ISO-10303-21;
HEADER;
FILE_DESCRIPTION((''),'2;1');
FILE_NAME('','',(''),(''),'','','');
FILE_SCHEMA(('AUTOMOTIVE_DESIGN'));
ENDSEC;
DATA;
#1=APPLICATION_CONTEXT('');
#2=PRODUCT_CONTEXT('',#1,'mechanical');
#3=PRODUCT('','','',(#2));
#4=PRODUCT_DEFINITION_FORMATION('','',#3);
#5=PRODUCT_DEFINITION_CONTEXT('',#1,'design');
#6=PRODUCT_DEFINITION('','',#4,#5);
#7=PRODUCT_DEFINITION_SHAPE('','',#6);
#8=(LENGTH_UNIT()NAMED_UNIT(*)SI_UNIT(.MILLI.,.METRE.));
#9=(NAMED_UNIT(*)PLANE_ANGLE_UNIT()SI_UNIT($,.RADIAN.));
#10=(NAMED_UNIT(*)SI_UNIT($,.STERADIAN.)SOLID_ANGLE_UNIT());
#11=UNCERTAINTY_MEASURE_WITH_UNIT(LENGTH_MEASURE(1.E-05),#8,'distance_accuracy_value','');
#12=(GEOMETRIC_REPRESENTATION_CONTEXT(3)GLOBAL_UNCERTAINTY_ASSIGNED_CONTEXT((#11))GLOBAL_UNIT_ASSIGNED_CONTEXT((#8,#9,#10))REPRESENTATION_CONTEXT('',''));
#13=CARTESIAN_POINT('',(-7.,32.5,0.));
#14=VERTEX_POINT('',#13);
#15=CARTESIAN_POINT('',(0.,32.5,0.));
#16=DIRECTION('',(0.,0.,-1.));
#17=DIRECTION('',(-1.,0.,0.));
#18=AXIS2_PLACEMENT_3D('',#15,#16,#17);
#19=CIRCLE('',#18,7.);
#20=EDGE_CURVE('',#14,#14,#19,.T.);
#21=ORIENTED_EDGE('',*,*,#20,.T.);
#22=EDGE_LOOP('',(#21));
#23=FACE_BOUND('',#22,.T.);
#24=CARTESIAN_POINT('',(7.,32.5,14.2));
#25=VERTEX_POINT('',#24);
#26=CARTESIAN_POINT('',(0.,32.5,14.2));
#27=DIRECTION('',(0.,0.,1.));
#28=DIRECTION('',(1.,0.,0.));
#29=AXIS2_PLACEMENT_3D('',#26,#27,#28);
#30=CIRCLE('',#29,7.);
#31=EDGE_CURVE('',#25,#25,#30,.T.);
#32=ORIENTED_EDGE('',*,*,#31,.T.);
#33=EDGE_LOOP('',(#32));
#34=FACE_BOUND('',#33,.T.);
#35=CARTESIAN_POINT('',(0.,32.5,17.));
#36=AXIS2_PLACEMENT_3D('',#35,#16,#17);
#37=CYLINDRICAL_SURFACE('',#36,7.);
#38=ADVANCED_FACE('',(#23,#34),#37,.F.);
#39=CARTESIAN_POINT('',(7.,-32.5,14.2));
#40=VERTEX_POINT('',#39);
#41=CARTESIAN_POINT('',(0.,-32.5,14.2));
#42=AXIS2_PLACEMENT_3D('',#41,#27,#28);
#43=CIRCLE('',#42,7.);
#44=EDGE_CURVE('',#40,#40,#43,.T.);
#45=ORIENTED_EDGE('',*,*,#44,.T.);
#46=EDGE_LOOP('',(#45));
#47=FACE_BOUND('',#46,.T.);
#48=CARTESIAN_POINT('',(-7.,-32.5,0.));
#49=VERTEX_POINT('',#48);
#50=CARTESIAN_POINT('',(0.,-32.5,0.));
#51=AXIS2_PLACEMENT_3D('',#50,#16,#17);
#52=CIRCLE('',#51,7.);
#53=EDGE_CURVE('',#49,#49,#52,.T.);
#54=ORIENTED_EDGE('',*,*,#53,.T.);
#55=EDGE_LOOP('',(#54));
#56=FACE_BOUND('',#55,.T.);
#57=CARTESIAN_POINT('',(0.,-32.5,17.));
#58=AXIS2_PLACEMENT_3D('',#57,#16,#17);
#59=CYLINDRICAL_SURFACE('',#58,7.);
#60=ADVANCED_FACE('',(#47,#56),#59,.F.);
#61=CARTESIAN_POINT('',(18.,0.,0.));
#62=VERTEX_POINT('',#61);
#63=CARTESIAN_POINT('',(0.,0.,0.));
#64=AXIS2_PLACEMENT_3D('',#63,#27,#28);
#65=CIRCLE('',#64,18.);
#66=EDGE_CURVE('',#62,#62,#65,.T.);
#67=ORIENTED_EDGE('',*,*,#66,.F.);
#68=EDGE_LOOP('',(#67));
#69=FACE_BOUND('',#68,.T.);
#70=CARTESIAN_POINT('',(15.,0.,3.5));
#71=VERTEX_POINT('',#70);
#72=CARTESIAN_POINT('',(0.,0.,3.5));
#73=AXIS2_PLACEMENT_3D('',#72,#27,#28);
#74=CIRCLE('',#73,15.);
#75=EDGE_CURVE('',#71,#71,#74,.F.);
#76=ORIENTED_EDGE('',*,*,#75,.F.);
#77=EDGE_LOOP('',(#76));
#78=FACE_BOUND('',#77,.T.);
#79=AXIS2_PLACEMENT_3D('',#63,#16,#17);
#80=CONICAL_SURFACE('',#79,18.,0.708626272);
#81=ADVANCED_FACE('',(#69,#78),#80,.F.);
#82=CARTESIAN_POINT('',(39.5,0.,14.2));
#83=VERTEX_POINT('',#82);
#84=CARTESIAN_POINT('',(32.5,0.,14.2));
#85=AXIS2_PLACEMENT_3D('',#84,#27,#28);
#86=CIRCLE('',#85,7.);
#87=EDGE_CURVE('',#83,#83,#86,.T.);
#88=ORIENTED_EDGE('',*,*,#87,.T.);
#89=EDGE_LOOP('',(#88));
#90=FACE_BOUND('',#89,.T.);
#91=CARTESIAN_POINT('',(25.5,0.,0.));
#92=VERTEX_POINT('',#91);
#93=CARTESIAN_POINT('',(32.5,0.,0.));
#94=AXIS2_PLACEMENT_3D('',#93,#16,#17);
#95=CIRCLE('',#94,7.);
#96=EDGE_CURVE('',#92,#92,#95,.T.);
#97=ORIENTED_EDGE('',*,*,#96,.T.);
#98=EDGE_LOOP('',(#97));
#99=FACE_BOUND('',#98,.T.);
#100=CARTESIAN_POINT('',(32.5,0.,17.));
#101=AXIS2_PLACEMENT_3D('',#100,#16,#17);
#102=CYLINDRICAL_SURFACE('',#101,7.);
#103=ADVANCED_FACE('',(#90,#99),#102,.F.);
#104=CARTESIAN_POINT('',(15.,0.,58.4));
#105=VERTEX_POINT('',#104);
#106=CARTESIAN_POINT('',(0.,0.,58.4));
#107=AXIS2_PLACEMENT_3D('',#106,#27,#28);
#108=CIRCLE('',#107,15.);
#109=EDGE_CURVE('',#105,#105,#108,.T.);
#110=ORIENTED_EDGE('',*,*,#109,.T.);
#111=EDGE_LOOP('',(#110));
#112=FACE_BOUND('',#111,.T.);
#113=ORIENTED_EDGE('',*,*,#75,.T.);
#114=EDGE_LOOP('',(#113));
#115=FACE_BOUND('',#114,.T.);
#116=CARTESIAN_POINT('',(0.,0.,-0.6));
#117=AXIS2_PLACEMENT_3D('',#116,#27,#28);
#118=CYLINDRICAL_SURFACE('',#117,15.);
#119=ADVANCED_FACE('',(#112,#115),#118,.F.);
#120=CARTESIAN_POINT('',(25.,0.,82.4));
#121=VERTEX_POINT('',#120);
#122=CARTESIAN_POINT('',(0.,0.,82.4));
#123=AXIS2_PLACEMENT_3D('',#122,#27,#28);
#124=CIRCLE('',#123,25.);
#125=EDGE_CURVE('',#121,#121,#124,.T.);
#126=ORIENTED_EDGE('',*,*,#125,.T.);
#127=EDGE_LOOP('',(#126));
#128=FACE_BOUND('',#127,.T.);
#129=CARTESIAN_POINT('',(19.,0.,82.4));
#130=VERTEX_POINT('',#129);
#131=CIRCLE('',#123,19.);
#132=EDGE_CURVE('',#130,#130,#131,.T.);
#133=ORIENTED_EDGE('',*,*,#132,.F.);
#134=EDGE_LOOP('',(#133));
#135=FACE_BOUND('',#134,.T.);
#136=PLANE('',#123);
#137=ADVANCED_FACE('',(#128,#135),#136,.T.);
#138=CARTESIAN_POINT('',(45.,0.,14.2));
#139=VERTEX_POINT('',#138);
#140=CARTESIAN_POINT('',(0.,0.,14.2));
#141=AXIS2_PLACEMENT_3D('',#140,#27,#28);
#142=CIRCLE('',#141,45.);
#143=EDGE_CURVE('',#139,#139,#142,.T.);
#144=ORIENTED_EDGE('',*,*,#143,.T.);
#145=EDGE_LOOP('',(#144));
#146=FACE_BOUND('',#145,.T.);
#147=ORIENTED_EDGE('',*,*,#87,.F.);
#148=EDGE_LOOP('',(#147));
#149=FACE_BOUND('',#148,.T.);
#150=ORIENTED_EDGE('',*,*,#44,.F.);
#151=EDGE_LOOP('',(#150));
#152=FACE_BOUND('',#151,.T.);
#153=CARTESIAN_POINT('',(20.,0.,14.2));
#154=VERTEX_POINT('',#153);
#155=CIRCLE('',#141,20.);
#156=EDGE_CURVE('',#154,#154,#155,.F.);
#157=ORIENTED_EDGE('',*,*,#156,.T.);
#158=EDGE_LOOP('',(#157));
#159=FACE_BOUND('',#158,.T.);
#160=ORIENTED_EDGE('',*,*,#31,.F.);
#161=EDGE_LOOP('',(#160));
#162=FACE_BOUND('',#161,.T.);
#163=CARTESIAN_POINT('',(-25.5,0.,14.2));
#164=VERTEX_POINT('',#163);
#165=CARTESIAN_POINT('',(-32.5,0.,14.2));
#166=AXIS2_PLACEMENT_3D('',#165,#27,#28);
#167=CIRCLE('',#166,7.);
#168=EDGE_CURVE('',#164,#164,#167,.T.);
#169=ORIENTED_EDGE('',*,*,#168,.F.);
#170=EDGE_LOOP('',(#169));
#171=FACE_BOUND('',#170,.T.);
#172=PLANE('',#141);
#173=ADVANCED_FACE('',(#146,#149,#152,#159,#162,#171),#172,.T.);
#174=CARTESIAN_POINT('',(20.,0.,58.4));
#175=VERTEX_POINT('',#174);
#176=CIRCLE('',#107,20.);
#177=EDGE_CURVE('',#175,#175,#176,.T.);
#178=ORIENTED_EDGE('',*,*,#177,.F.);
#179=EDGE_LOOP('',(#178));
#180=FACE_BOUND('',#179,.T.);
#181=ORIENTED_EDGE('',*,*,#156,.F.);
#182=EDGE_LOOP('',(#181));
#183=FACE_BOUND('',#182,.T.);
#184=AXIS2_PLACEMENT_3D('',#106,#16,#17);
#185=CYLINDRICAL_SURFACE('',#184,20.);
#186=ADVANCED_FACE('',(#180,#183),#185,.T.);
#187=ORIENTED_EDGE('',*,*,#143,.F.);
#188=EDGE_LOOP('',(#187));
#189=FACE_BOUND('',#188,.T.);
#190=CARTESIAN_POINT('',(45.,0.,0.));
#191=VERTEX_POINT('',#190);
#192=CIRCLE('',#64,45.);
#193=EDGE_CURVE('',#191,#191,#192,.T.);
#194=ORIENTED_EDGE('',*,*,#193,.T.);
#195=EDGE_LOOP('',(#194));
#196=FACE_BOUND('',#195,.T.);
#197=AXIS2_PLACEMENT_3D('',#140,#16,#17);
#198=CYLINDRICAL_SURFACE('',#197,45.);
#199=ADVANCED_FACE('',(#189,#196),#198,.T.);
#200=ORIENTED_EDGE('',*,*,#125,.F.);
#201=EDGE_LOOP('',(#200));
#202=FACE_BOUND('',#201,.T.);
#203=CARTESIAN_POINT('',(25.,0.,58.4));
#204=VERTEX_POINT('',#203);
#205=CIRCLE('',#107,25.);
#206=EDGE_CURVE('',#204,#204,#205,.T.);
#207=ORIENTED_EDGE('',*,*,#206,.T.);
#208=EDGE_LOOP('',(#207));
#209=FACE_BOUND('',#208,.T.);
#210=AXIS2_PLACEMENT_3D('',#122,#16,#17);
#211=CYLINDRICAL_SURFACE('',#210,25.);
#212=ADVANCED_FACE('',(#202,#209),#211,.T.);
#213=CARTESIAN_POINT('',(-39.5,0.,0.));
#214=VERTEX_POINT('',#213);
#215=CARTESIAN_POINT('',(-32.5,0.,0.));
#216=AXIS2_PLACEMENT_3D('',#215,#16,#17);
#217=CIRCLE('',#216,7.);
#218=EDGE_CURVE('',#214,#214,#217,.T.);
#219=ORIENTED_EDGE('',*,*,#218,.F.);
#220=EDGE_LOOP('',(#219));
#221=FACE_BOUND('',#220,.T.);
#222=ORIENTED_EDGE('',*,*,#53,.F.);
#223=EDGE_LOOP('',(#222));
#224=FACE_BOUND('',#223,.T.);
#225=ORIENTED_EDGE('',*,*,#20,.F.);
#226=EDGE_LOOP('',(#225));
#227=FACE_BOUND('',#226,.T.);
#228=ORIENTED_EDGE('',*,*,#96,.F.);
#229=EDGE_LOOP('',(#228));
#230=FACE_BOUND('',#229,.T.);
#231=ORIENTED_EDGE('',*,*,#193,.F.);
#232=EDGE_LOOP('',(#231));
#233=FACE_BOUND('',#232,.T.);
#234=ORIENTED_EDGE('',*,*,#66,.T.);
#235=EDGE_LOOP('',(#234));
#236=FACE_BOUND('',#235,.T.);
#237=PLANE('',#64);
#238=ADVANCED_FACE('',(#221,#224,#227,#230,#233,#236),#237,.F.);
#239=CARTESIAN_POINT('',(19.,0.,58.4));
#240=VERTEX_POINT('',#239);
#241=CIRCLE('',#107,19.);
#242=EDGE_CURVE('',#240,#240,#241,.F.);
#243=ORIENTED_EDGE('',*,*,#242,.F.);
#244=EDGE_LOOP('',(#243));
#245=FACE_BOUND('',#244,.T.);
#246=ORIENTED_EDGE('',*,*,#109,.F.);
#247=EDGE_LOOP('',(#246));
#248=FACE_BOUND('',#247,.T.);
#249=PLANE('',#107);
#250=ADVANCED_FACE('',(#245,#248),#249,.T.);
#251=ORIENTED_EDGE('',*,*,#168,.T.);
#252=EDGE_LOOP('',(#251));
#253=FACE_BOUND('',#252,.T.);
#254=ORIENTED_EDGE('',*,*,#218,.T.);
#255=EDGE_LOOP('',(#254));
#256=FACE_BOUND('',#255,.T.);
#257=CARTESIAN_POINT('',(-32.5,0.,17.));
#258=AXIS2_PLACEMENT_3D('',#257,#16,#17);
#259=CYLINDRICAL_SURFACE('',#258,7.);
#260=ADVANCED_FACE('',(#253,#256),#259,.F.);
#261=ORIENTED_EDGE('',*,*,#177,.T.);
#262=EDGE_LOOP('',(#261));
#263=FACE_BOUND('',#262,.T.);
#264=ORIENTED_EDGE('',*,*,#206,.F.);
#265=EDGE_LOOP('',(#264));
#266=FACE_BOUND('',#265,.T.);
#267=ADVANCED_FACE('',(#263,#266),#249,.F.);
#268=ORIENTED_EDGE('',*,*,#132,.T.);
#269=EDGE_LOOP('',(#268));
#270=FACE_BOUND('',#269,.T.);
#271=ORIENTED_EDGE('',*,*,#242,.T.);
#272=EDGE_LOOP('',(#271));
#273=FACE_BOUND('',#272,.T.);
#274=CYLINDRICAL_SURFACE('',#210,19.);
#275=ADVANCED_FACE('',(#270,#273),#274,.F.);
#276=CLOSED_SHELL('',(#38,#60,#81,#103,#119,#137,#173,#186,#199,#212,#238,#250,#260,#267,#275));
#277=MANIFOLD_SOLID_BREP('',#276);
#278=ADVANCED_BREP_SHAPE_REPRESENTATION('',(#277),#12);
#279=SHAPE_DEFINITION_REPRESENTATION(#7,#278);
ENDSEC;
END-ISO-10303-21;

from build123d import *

# Parameters (mm, degrees)
CROQUIS1_R               = 45
SALIENTE_EXTRUIR1_DEPTH  = 14.2
CROQUIS6_R               = 15
SALIENTE_EXTRUIR13_DEPTH = 14
CROQUIS8_R               = 15
CORTAR_EXTRUIR3_DEPTH    = 16
CROQUIS2_R               = 20
SALIENTE_EXTRUIR3_DEPTH  = 58.4
CROQUIS3_R               = 25
CROQUIS3_R_2             = 19
SALIENTE_EXTRUIR4_DEPTH  = 24
CROQUIS5_R               = 15
CORTAR_EXTRUIR4_DEPTH    = 59
CROQUIS7_R               = 7
CORTAR_EXTRUIR18_DEPTH   = 17
CHAFL_N1_SIZE            = 3.5
CHAFL_N1_SIZE2           = 3


with BuildPart() as part:
    # Croquis1 → Saliente-Extruir1 (new body)
    with BuildSketch(Plane.XY):
        Circle(CROQUIS1_R)
    extrude(amount=SALIENTE_EXTRUIR1_DEPTH)

    # Croquis6 → Saliente-Extruir13 (add)
    with BuildSketch(Plane.XY.offset(14.2)):
        Circle(CROQUIS6_R)
    extrude(amount=-SALIENTE_EXTRUIR13_DEPTH)

    # Croquis8 → Cortar-Extruir3 (cut)
    with BuildSketch(Plane.XY.offset(14.2)):
        Circle(CROQUIS8_R)
    extrude(amount=-CORTAR_EXTRUIR3_DEPTH, mode=Mode.SUBTRACT)

    # Croquis2 → Saliente-Extruir3 (add)
    with BuildSketch(Plane.XY):
        Circle(CROQUIS2_R)
    extrude(amount=SALIENTE_EXTRUIR3_DEPTH)

    # Croquis3 → Saliente-Extruir4 (add)
    with BuildSketch(Plane.XY.offset(58.4)):
        Circle(CROQUIS3_R)
        Circle(CROQUIS3_R_2, mode=Mode.SUBTRACT)
    extrude(amount=SALIENTE_EXTRUIR4_DEPTH)

    # Croquis5 → Cortar-Extruir4 (cut)
    with BuildSketch(Plane.XY.offset(58.4)):
        Circle(CROQUIS5_R)
    extrude(amount=-CORTAR_EXTRUIR4_DEPTH, mode=Mode.SUBTRACT)

    # Croquis7 → Cortar-Extruir18 (cut)
    with BuildSketch(Plane(origin=(0, 0, 0), x_dir=(-1, 0, 0), z_dir=(0, 0, -1))):
        with Locations((0, 32.5)):
            Circle(CROQUIS7_R)
        with Locations((32.5, 0)):
            Circle(CROQUIS7_R)
        with Locations((0, -32.5)):
            Circle(CROQUIS7_R)
        with Locations((-32.5, 0)):
            Circle(CROQUIS7_R)
    extrude(amount=-CORTAR_EXTRUIR18_DEPTH, mode=Mode.SUBTRACT)

    # Chaflán1
    chafl_n1_edges = [part.edges().sort_by_distance(p)[0] for p in [
        (-15, 0, 0),
    ]]
    chafl_n1_side = [part.faces().sort_by_distance(p)[0] for p in [
        (-15, 0, 29.2),
    ]]
    chamfer(chafl_n1_edges, length=CHAFL_N1_SIZE, length2=CHAFL_N1_SIZE2, reference=chafl_n1_side[0])


solid = part.part
